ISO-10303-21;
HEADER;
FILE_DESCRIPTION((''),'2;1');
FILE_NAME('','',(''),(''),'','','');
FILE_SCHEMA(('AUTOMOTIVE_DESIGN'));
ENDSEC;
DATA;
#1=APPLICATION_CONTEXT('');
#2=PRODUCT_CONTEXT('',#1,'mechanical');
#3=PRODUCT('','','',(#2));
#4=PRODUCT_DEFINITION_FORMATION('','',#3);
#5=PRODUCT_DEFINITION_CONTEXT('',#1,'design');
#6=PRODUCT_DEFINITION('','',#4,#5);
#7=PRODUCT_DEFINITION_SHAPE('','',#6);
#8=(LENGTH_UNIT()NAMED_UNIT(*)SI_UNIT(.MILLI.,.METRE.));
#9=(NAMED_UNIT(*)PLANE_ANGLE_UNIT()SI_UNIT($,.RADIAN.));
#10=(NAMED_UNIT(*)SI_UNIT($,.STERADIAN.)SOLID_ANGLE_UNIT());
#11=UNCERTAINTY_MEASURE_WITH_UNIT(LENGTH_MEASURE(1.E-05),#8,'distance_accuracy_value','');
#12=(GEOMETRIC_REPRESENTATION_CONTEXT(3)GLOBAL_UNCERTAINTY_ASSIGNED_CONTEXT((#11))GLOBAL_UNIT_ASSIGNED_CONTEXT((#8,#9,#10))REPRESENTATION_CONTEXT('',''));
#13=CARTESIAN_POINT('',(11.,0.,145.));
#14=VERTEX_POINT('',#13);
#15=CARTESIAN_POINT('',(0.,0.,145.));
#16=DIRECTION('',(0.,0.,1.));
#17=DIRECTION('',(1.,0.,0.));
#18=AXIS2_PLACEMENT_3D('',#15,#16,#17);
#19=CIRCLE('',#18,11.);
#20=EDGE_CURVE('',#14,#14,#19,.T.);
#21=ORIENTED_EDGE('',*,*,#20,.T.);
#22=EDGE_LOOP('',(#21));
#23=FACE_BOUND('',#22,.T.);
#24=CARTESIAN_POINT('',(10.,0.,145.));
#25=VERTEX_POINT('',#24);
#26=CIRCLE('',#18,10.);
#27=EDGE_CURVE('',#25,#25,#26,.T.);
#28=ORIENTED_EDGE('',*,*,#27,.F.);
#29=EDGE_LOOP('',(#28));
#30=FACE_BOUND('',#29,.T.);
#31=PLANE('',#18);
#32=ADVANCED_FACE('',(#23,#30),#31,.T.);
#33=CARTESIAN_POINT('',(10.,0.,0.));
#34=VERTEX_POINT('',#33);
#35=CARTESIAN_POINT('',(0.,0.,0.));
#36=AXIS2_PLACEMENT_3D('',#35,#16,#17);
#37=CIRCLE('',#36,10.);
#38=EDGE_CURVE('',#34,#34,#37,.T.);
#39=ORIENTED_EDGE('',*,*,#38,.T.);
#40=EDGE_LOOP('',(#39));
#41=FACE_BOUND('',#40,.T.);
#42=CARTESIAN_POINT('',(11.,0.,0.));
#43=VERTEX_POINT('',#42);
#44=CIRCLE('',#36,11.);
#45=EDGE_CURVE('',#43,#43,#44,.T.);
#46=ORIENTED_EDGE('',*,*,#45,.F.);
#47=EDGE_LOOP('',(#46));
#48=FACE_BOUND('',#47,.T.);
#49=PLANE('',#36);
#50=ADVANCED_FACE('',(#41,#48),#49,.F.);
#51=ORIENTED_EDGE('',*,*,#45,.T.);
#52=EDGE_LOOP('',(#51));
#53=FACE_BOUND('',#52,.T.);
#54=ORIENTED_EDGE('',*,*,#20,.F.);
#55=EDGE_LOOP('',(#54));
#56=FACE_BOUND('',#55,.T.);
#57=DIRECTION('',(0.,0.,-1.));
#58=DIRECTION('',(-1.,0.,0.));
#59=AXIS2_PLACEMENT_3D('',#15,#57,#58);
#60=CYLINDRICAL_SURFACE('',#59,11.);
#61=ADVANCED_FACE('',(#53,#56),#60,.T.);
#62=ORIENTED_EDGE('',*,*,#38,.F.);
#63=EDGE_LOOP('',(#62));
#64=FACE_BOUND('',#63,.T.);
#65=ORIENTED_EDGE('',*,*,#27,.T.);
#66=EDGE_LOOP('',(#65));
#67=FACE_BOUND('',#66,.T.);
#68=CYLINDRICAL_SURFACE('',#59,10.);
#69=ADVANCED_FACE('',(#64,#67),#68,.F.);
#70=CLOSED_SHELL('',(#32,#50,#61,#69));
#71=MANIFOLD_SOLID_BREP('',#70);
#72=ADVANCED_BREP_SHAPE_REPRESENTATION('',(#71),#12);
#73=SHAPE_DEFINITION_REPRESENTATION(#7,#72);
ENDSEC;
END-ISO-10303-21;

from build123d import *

# Parameters (mm, degrees)
SKETCH_1_R      = 11
SKETCH_1_R_2    = 10
EXTRUDE_1_DEPTH = 145


with BuildPart() as part:
    # Эскиз1 → Бобышка-Вытянуть1 (new body)
    with BuildSketch(Plane.XY):
        Circle(SKETCH_1_R)
        Circle(SKETCH_1_R_2, mode=Mode.SUBTRACT)
    extrude(amount=EXTRUDE_1_DEPTH)


solid = part.part
